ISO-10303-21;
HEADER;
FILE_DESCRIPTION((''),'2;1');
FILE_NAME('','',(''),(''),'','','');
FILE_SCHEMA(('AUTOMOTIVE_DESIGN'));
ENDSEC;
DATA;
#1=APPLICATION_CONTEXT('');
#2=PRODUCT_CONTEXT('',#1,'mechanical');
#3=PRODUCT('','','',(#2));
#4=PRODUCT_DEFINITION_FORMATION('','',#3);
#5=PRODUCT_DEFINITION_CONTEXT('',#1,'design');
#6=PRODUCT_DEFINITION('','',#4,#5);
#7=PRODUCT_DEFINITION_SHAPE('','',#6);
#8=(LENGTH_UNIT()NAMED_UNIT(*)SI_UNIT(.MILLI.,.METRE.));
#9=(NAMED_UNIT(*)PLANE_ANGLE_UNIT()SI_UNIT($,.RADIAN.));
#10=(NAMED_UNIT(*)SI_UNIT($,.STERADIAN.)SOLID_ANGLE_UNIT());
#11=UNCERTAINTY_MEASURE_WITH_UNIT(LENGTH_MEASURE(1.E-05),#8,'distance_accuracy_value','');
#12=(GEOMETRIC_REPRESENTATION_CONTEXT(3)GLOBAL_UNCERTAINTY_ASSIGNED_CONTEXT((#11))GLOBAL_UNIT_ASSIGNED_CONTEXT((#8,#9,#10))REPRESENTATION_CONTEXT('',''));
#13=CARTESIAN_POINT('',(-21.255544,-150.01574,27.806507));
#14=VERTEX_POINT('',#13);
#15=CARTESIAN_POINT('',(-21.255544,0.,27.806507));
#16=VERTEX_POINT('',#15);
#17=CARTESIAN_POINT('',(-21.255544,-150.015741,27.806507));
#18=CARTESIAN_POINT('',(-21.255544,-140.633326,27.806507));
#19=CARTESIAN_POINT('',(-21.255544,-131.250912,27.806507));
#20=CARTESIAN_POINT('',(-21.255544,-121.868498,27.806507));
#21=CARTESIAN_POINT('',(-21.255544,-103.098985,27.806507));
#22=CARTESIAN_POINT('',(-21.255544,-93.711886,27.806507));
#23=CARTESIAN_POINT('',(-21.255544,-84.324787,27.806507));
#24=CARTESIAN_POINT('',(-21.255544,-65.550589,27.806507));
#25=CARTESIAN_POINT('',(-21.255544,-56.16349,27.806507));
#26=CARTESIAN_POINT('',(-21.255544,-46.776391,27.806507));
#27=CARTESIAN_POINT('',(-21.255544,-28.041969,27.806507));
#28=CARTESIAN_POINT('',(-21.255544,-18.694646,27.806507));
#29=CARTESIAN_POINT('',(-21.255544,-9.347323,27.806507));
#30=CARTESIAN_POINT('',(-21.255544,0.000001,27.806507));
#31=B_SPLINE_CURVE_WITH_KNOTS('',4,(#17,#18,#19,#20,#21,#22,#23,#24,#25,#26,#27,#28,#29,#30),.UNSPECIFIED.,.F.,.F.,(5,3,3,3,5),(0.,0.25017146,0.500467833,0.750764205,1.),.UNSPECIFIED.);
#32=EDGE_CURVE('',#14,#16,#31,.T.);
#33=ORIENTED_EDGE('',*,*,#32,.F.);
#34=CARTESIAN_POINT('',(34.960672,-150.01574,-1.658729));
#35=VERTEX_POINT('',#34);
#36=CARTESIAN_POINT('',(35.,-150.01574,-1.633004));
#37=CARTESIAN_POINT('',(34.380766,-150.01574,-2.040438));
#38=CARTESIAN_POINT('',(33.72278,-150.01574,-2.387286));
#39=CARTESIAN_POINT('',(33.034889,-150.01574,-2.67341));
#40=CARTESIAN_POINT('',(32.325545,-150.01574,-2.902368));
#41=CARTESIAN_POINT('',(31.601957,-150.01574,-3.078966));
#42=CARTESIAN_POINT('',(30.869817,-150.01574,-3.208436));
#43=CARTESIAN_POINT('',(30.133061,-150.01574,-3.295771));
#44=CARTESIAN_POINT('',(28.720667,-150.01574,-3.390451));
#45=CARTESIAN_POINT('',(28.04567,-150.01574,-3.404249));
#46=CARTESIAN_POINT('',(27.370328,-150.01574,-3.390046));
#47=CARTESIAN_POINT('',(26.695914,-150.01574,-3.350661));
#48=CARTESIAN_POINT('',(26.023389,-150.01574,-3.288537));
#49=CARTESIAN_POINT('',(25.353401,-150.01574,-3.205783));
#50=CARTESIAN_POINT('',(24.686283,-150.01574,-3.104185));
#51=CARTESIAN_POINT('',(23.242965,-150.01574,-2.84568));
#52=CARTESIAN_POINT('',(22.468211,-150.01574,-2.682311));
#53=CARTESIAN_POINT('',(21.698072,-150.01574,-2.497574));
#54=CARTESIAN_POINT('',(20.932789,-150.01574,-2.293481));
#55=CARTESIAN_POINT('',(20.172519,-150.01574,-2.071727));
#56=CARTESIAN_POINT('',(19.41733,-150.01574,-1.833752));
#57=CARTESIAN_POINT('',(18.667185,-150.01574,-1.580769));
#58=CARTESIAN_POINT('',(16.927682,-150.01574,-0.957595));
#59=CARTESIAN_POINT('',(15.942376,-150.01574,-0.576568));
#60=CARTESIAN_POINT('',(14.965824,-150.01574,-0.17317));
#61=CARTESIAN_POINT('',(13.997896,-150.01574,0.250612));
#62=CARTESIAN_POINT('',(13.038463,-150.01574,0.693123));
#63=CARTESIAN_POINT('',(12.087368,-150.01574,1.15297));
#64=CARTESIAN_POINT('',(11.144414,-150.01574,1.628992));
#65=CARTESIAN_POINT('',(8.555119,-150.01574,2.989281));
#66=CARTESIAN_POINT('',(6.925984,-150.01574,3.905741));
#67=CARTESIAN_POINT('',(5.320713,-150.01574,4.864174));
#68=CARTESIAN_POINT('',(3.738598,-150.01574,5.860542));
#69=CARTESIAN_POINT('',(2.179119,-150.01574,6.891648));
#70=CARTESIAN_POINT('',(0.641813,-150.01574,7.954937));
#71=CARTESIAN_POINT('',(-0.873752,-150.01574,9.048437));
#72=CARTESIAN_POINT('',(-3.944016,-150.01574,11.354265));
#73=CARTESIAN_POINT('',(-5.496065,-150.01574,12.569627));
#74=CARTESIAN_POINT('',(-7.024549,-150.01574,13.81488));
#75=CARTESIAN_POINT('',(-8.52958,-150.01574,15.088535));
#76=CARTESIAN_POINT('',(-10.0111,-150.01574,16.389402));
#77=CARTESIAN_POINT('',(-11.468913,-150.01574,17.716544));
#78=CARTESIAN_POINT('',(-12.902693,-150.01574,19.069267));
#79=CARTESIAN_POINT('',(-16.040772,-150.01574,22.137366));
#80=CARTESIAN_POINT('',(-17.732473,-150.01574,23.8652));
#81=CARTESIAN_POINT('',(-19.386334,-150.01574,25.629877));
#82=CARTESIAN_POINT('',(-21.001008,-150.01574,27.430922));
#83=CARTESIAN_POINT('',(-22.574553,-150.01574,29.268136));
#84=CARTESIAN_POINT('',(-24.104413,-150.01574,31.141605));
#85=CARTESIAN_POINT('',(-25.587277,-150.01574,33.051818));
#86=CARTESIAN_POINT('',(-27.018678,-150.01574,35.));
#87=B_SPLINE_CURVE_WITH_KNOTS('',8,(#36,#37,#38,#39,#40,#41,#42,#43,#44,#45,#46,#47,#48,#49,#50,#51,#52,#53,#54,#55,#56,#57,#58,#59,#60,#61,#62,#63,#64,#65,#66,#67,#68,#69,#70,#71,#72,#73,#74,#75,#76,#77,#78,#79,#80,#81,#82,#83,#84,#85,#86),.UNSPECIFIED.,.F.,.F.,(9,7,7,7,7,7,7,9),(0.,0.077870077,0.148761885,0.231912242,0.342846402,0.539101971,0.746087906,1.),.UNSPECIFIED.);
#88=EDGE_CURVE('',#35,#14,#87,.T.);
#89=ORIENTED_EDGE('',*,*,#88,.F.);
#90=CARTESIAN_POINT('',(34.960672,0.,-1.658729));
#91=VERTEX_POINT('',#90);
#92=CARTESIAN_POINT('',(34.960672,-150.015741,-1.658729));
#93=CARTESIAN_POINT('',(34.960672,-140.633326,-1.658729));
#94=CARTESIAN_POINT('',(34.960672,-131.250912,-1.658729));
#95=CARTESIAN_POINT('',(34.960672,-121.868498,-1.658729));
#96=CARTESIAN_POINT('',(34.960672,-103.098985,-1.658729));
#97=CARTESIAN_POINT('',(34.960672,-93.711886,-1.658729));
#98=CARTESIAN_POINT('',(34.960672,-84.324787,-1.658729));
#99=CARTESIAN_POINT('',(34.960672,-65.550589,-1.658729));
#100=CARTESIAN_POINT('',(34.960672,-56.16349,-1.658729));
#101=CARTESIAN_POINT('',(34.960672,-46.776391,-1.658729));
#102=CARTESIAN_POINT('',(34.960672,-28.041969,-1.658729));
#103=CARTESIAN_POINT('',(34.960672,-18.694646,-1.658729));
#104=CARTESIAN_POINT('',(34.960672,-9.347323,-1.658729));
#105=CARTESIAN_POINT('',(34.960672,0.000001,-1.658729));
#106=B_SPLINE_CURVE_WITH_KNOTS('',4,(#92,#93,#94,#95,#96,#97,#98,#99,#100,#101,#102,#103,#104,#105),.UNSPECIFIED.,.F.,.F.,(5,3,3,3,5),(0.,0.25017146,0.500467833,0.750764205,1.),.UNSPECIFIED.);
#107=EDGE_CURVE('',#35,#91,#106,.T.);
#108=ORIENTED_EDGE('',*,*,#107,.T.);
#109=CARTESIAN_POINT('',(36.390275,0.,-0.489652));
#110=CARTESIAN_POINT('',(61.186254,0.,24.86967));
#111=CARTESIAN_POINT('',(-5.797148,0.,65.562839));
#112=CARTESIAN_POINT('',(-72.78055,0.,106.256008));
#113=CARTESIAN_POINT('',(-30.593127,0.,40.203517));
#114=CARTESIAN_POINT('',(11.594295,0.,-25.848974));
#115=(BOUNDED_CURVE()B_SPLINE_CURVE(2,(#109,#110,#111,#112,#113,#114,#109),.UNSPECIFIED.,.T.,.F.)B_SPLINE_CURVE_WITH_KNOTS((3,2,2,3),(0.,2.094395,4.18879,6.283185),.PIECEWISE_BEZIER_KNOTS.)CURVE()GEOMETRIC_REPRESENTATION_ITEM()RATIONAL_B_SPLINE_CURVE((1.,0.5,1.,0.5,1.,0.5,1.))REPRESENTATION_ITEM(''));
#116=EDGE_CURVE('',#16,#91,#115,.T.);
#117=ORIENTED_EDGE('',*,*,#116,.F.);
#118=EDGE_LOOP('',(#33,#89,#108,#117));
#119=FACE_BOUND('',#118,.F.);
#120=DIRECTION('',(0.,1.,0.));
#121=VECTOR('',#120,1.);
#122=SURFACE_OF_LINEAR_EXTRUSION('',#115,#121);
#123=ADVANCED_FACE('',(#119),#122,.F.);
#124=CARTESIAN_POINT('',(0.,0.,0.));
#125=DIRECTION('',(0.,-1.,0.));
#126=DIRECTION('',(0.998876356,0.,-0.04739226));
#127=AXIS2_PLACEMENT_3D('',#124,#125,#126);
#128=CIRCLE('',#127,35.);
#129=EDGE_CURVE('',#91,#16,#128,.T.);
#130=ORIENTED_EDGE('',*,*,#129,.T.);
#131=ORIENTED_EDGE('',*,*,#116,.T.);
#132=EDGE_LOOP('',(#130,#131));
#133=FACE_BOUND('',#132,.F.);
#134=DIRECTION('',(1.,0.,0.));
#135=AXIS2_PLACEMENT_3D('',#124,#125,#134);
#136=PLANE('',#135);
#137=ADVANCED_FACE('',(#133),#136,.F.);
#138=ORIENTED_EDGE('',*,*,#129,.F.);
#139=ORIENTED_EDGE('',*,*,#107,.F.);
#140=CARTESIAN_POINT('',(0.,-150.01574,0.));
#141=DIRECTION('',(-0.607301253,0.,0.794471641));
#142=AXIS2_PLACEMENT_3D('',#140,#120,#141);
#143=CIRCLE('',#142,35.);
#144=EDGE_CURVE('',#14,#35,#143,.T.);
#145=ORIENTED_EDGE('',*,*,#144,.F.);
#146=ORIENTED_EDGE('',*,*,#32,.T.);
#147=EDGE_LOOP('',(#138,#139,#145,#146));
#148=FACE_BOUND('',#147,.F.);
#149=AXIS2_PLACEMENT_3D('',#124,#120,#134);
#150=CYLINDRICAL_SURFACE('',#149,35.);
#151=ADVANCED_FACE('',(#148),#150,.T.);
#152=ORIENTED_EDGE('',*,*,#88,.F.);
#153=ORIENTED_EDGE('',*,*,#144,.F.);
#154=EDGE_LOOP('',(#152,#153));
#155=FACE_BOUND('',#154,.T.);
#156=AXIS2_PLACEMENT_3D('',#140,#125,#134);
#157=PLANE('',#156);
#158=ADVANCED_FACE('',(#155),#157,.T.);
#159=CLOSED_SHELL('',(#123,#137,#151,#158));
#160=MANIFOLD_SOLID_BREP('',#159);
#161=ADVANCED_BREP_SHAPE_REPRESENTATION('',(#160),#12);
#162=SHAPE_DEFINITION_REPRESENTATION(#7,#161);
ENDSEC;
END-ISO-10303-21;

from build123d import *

# Parameters (mm, degrees)
F0_R     = 35
F1_DEPTH = 150.01574
F3_DEPTH = 159.103371


with BuildPart() as f1:
    # F0 (on Front) → F1 (new body)
    with BuildSketch(Plane.XZ):
        Circle(F0_R)
    extrude(amount=F1_DEPTH)

    # F2 (on Front) → F3 (intersect)
    with BuildSketch(Plane.XZ):
        with BuildLine():
            add(Edge.make_bspline(
                [(36.390275, -0.489652), (61.186254, 24.86967), (-5.797148, 65.562839), (-72.78055, 106.256008), (-30.593127, 40.203517), (11.594295, -25.848974), (36.390275, -0.489652)],
                knots=[0, 0, 0, 2.094395, 2.094395, 4.18879, 4.18879, 6.283185, 6.283185, 6.283185], degree=2, weights=[1, 0.5, 1, 0.5, 1, 0.5, 1]))
        make_face()
    extrude(amount=F3_DEPTH, mode=Mode.INTERSECT)


solid = f1.part
